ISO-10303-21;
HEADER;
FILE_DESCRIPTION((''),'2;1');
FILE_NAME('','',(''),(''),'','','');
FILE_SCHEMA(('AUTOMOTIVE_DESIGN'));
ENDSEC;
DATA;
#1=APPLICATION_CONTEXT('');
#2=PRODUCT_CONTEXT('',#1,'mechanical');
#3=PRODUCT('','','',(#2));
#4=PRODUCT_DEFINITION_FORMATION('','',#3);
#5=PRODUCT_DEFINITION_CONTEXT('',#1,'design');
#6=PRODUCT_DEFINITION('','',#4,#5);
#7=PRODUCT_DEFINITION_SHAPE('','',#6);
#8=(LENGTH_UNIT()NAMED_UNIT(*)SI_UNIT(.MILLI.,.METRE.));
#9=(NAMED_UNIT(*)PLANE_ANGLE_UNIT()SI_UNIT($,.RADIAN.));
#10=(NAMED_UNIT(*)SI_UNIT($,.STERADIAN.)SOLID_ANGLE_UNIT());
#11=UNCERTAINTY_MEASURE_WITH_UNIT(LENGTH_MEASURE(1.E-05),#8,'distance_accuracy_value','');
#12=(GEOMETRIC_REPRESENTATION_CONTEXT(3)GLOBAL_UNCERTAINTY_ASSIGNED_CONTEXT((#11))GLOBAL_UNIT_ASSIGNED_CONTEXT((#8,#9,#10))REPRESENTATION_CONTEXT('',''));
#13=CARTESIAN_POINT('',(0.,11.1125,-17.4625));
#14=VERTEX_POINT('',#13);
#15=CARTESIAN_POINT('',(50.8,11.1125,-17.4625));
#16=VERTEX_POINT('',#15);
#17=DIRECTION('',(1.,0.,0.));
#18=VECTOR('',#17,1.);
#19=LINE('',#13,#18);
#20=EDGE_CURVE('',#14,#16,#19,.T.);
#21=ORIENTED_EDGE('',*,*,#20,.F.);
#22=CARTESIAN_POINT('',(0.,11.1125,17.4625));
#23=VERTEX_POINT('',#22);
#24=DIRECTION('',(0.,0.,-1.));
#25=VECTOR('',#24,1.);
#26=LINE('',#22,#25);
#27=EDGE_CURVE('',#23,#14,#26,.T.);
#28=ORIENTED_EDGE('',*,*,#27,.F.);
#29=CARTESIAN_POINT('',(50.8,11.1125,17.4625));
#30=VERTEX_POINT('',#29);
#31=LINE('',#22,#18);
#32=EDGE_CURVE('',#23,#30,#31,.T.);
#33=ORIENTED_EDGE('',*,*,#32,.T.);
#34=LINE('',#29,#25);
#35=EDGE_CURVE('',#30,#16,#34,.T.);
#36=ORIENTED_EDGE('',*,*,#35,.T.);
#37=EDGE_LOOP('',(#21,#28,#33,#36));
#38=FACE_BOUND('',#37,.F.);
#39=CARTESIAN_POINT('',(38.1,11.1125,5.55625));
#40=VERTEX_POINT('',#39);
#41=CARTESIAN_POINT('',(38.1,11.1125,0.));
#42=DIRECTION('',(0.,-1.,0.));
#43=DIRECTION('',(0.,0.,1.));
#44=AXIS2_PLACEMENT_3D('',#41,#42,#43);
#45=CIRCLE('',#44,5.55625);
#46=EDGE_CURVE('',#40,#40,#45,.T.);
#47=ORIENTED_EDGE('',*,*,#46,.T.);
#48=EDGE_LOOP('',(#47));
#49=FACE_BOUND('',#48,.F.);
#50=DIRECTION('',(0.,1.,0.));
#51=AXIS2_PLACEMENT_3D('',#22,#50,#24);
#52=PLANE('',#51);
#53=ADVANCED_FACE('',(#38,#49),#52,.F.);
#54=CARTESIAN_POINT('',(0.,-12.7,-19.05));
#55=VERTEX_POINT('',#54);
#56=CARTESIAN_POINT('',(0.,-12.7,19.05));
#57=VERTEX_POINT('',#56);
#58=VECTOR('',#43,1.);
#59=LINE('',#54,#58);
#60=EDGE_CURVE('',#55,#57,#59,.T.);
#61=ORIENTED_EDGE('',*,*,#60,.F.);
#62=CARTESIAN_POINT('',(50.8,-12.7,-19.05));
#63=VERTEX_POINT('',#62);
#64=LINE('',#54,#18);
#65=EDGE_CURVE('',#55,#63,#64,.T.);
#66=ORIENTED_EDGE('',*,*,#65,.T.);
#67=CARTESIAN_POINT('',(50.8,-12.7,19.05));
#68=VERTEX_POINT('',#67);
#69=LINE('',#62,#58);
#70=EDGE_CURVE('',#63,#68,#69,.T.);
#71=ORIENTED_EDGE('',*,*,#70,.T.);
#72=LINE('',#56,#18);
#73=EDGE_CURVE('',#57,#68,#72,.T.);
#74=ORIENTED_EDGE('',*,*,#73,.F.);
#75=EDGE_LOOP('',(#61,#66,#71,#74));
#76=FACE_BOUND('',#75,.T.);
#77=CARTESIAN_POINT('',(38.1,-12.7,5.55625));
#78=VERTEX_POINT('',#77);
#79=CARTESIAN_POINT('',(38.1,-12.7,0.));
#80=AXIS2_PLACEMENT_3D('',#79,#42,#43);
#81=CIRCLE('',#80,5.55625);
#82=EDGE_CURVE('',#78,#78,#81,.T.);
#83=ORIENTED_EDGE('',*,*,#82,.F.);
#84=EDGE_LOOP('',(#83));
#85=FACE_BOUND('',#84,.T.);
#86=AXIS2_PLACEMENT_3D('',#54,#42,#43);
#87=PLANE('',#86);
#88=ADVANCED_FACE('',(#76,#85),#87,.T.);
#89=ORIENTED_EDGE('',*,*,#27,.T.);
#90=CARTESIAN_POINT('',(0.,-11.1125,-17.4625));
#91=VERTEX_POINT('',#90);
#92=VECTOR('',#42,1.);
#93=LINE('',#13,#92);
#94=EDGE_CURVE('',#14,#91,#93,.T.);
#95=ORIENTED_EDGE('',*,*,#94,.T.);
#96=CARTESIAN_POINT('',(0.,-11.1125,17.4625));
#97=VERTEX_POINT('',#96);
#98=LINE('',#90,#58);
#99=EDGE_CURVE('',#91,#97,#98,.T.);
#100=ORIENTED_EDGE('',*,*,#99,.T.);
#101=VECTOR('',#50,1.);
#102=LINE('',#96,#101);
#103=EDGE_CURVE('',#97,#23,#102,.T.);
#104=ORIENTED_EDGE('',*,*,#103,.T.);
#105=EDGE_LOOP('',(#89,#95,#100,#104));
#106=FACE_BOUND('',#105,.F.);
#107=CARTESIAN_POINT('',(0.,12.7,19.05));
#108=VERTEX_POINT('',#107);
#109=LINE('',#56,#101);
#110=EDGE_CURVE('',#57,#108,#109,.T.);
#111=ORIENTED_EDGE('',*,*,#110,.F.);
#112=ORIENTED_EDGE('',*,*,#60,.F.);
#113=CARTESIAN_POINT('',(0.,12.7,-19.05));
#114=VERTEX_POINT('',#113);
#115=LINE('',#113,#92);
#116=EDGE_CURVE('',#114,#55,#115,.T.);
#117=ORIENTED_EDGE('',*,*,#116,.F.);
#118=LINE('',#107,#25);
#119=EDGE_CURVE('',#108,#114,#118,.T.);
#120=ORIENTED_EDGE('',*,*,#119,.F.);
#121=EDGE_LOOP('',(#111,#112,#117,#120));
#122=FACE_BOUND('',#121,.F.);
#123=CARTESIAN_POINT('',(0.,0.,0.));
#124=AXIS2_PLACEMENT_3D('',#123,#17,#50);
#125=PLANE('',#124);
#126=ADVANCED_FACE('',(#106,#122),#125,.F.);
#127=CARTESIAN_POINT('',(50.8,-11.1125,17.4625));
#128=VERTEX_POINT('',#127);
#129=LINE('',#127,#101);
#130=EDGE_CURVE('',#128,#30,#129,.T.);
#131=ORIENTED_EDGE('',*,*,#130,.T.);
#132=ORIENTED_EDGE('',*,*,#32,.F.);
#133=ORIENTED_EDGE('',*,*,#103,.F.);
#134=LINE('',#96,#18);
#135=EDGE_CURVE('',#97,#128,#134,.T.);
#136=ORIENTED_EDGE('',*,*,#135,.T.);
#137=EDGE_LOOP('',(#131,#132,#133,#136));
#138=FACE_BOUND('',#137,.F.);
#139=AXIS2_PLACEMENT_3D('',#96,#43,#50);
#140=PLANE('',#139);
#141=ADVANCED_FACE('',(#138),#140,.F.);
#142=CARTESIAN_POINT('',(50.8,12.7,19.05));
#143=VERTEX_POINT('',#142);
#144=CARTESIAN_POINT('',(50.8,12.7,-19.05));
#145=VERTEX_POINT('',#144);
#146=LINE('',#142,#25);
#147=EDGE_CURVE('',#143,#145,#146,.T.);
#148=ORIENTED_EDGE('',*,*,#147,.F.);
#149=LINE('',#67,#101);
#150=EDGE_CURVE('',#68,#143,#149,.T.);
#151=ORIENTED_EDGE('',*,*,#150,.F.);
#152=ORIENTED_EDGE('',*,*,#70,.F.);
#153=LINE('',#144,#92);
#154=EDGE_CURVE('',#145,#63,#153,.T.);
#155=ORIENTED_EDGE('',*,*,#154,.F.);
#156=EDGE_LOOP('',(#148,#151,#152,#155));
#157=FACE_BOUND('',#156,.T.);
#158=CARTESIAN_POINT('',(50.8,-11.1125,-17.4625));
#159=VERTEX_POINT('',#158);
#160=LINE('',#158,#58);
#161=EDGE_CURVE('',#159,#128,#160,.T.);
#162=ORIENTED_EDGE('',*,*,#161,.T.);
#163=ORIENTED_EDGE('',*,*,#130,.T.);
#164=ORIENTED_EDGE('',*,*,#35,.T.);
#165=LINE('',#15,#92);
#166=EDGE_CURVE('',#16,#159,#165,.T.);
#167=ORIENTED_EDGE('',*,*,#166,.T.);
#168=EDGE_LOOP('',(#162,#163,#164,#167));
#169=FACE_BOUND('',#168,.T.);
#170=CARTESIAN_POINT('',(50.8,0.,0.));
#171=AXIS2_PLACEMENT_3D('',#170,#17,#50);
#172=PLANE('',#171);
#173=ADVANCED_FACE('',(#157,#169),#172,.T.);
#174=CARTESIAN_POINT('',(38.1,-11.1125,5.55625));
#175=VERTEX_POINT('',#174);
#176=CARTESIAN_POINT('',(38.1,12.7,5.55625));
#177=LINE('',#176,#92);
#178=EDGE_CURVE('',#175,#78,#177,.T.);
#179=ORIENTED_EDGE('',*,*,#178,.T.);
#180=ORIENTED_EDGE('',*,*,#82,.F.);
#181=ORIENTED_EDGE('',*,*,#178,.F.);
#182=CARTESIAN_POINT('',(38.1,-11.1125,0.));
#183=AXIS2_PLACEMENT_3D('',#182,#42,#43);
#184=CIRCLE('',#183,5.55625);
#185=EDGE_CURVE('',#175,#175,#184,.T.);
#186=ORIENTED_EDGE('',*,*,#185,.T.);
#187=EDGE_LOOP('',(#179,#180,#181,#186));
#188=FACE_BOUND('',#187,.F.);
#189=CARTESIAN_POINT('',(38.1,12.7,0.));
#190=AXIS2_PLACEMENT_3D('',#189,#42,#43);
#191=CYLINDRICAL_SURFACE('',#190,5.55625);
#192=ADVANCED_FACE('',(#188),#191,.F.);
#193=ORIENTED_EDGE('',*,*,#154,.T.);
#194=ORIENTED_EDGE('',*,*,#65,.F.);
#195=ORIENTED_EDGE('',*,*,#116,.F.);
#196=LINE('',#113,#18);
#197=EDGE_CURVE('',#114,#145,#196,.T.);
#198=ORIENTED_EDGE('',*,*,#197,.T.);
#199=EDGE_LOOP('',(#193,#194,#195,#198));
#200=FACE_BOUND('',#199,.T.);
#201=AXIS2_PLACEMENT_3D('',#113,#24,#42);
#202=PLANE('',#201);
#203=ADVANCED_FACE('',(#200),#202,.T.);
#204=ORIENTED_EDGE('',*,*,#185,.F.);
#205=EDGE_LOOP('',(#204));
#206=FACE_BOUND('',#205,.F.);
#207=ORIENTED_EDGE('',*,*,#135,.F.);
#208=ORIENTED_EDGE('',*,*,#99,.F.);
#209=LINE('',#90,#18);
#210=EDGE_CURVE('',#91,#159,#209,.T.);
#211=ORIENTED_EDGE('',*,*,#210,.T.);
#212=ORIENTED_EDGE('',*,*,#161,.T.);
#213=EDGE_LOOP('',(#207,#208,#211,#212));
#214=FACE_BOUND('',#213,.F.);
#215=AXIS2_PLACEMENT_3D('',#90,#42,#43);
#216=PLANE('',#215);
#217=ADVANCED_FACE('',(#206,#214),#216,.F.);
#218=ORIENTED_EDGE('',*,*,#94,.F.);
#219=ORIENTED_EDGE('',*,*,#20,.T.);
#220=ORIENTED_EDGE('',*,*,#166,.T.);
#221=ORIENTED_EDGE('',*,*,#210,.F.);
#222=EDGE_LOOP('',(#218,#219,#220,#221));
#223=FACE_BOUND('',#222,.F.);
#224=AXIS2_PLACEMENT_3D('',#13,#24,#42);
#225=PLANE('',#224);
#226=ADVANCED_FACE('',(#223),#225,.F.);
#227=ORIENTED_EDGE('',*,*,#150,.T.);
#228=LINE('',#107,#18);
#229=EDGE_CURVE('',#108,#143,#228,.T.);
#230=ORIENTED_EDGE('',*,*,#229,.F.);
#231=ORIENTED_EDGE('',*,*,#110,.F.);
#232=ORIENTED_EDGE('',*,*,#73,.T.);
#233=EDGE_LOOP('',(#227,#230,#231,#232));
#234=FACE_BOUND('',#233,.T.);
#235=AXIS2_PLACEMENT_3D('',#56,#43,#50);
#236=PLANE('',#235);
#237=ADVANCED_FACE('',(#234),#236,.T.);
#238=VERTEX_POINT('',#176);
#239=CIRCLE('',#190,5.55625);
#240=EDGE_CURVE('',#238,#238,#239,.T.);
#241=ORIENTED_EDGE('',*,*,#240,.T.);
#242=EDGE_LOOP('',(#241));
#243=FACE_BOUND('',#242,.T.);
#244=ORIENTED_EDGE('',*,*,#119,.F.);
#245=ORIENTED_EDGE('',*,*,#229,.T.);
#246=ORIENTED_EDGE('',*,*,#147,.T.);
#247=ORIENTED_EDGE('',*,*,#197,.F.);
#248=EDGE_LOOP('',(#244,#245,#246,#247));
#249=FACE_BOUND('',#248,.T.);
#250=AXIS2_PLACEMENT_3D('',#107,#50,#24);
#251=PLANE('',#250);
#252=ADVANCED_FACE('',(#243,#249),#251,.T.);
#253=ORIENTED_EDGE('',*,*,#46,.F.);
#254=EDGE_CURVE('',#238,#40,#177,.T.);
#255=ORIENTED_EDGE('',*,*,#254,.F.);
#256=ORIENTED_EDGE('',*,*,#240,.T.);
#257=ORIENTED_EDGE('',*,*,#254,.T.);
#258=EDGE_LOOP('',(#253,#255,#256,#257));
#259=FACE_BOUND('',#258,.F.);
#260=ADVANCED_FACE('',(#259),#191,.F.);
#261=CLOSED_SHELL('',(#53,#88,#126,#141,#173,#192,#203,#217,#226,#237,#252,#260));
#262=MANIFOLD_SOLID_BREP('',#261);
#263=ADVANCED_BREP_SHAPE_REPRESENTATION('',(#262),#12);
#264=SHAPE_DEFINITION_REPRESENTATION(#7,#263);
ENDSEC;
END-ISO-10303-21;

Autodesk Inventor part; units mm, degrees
ref_plane "Work Plane3" through (0, 12.7, 0) normal (0, 1, 0) x (-1, 0, 0)
ref_plane "Start Plane" through (0, 0, 0) normal (1, 0, 0) x (0, 1, 0)
ref_plane "End Plane" through (50.8, 0, 0) normal (1, 0, 0) x (0, 1, 0)
sketch "Sketch" plane through (0, 0, 0) normal (1, 0, 0) x (0, 1, 0)
  line L0 (-12.7, 19.05) -> (12.7, 19.05)
  line L1 (12.7, 19.05) -> (12.7, -19.05)
  line L2 (12.7, -19.05) -> (-12.7, -19.05)
  line L3 (-12.7, -19.05) -> (-12.7, 19.05)
  line L4 (-12.7, 19.05) -> (12.7, -19.05) construction
  line L5 (12.7, 19.05) -> (-12.7, -19.05) construction
  line L6 (-11.1125, 17.4625) -> (11.1125, 17.4625)
  line L7 (11.1125, 17.4625) -> (11.1125, -17.4625)
  line L8 (11.1125, -17.4625) -> (-11.1125, -17.4625)
  line L9 (-11.1125, -17.4625) -> (-11.1125, 17.4625)
  line L10 (-11.1125, 17.4625) -> (11.1125, -17.4625) construction
  line L11 (11.1125, 17.4625) -> (-11.1125, -17.4625) construction
  point P0 (0, 0)
  dimension "d0" = 38.1
  dimension "d1" = 25.4
  dimension "d2" = 1.5875
  dimension "d3" = 1.5875
extrude "Body" add sketch "Sketch" along normal up to surface (50.8 mm away) from surface at 0
sketch "Sketch8" plane through (0, 0, 0) normal (1, 0, 0) x (0, 1, 0)
  line L0 (0, 0) -> (10, 0)
ref_plane "Work Plane6" through (0, 0, 0) normal (0, 0, -1) x (0, 1, 0)
sketch "Sketch9" plane through (0, 0, 0) normal (0, 0, -1) x (0, 1, 0)
  line L0 (-17.78, 0) -> (17.78, 0)
  line L1 (-17.78, 50.8) -> (17.78, 50.8)
  dimension "d21" = 50.8
sketch "Sketch5" plane through (0, 12.7, -19.05) normal (0, 1, 0) x (1, 0, 0)
  line L0 (0, -38.1) -> (0, 0) projected
  point P0 (0, -19.05)
  point P1 (38.1, -19.05)
  dimension "d22" = 38.1
hole "Hole2" at (38.1, 12.7, 0) direction (0, -1, 0) diameter 11.1125 end through all
equation "\"d3\" = d2"
equation "\"G_OFFSET_START\" = 0"
equation "\"G_OFFSET_END\" = 0"
equation "\"d17\" = d4 + G_OFFSET_END"
equation "\"G_L\" = d21"
equation "\"d4\" = 50.8"
properties part number "1606067045790"
